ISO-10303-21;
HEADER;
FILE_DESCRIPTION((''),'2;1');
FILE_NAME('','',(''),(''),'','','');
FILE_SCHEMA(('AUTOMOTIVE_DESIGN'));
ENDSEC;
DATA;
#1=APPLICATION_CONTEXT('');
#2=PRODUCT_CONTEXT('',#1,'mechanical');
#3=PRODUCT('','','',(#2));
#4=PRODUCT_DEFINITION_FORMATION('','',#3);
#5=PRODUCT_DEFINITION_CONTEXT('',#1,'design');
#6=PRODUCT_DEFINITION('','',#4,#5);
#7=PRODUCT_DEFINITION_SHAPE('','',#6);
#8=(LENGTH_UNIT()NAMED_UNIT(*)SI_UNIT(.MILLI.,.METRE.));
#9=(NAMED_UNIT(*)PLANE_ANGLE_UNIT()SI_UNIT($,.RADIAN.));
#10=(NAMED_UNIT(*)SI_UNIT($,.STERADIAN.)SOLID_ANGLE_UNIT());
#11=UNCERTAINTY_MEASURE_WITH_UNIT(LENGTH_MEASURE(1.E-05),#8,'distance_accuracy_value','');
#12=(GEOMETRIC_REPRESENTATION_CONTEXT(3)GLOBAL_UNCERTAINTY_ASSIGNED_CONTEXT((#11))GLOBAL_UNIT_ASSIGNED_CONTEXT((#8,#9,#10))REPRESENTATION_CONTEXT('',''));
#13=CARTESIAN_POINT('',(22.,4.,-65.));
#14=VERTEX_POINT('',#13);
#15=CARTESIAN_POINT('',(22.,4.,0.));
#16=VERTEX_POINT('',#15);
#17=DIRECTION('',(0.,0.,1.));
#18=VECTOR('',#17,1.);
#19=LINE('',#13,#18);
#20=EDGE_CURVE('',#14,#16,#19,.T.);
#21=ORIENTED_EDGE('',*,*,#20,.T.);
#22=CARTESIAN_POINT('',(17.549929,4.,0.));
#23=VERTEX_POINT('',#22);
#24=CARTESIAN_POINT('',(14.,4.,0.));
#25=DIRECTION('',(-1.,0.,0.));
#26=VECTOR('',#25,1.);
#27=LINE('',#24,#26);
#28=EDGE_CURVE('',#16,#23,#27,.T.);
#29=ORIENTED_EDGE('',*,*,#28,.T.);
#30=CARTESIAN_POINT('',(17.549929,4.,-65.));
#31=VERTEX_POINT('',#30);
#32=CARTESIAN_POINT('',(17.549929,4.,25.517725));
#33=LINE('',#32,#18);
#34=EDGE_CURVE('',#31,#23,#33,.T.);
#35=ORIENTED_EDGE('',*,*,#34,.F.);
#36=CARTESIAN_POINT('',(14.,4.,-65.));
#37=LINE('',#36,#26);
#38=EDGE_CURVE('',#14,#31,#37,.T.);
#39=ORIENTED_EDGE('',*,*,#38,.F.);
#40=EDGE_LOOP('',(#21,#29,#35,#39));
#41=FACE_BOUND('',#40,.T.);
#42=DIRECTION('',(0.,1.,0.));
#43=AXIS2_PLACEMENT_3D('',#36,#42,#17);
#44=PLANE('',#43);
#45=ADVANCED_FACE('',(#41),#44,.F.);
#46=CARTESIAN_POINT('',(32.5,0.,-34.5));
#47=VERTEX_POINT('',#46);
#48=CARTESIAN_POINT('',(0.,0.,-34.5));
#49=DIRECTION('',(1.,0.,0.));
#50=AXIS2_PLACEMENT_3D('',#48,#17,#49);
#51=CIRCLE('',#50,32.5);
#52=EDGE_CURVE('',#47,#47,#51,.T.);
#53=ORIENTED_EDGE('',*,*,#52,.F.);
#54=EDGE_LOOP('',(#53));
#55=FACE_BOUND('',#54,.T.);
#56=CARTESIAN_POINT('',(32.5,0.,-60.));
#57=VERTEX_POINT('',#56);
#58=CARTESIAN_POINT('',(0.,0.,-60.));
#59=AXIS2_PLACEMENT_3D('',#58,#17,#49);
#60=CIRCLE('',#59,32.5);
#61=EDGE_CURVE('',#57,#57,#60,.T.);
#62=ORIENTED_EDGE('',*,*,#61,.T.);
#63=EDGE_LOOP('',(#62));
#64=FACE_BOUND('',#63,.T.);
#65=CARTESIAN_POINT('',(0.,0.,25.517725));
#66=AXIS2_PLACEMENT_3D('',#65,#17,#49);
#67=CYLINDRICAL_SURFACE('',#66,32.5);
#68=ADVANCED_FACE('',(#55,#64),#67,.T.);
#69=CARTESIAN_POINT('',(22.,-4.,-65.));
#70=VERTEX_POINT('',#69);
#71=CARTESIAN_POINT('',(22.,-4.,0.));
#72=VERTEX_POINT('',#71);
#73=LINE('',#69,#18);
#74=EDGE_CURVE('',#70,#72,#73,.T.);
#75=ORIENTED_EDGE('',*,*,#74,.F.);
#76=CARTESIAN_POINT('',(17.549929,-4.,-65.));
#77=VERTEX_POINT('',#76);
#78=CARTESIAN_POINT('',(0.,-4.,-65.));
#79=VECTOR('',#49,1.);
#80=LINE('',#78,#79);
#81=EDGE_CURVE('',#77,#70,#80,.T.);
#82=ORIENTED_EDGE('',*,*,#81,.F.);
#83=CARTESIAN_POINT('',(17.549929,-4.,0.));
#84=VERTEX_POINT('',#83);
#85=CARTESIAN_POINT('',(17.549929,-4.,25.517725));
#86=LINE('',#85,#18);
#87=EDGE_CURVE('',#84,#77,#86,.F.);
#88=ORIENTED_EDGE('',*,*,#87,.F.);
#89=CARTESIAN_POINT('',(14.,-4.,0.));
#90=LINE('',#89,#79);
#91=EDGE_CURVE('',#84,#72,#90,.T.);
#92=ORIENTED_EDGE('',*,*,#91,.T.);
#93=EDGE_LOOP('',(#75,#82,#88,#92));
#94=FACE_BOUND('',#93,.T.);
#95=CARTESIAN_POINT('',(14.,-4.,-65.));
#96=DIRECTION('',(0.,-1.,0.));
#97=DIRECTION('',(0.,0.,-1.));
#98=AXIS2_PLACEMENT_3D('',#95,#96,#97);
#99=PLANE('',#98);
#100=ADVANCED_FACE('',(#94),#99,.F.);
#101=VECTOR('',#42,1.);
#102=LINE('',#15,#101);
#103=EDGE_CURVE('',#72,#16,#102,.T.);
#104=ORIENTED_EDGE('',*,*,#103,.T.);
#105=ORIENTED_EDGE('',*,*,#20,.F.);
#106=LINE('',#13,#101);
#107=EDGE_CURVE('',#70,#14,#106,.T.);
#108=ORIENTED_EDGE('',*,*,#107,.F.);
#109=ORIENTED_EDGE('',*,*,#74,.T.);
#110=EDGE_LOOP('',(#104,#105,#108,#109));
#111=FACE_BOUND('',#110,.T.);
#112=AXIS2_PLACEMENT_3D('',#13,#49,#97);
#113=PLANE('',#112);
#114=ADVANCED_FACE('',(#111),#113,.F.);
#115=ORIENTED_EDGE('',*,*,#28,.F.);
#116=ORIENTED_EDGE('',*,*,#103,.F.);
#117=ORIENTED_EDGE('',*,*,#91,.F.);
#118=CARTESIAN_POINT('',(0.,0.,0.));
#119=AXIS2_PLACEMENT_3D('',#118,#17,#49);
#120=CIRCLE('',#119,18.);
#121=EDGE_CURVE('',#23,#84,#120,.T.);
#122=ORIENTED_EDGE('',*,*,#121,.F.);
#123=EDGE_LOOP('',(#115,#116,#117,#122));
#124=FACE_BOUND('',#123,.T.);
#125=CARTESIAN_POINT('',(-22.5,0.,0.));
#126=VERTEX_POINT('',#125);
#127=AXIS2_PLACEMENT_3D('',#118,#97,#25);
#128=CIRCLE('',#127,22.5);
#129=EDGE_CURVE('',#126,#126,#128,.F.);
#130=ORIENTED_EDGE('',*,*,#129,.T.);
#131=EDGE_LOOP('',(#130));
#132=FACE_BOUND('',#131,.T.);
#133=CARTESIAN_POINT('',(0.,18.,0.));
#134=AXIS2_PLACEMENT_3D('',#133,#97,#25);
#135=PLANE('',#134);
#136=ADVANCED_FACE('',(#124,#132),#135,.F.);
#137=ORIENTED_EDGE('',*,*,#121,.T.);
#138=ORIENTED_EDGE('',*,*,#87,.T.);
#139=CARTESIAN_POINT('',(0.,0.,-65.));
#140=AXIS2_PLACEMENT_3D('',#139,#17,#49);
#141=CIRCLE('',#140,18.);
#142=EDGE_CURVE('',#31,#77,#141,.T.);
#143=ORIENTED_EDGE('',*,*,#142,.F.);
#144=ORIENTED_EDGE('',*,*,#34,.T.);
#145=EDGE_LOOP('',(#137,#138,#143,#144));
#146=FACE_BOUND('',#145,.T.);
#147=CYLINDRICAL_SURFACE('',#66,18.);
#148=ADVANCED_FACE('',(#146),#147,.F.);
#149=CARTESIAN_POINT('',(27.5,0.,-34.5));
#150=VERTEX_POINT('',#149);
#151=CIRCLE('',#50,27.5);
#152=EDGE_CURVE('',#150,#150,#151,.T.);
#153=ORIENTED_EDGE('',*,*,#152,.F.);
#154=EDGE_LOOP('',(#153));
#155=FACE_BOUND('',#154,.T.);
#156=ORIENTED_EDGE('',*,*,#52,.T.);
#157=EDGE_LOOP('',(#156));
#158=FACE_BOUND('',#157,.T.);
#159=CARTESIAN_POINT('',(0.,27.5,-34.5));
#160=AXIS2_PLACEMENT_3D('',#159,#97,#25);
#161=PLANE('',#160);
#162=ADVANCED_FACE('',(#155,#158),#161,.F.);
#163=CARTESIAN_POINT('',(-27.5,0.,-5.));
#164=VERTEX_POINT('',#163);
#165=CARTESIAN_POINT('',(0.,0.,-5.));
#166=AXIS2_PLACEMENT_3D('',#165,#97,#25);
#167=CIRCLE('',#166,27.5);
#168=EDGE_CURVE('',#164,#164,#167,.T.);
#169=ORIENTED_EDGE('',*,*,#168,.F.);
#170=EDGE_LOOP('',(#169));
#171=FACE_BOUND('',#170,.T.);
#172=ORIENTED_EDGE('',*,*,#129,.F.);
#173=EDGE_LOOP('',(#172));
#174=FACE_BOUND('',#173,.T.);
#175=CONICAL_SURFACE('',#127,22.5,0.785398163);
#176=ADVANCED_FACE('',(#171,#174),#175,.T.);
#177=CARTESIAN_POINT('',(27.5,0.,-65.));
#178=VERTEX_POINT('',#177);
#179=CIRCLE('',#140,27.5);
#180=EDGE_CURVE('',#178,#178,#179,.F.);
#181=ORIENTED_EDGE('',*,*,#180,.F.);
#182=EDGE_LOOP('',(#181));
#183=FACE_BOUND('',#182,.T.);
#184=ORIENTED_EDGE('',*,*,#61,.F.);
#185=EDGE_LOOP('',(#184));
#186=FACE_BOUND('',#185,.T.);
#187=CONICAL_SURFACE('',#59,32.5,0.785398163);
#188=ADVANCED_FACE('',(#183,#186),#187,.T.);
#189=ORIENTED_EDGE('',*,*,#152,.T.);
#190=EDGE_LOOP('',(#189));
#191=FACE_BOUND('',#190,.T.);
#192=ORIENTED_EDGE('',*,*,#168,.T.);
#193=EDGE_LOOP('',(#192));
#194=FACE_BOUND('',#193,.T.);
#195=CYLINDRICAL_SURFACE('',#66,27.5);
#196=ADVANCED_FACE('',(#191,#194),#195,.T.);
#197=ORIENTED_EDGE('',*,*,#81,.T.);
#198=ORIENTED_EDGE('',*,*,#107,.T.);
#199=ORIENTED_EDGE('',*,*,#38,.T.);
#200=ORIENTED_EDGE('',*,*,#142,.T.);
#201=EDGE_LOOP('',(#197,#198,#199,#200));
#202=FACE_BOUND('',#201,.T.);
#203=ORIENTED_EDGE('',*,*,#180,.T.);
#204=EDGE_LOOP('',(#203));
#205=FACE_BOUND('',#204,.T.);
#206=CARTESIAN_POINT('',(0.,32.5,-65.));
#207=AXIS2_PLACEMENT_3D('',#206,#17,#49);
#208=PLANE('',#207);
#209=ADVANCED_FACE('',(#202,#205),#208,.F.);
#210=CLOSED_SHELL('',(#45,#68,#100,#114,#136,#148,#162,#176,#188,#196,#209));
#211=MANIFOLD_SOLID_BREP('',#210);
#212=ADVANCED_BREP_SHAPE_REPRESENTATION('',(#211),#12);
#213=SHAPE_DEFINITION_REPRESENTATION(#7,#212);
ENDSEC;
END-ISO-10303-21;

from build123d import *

# Parameters (mm, degrees)
ZKOSEN_1_SIZE            = 5
ZKOSEN_2_SIZE            = 5
SKICA3_W                 = 8
SKICA3_H                 = 8
ODEBRAT_VYSUNUT_M1_DEPTH = 66


with BuildPart() as part:
    # Skica1 → Rotovat1 (revolve)
    with BuildSketch(Plane(origin=(0, 0, 0), x_dir=(0, 0, -1), z_dir=(1, 0, 0))):
        Polygon((0, 18), (0, 27.5), (34.5, 27.5), (34.5, 32.5), (65, 32.5), (65, 18), align=None)
    revolve(axis=Axis((0, 0, 25.517724518), (0, 0, -1)))

    # Zkosení1
    zkosen_1_edges = [part.edges().sort_by_distance(p)[0] for p in [
        (0, -27.5, 0),
    ]]
    chamfer(zkosen_1_edges, length=ZKOSEN_1_SIZE)

    # Zkosení2
    zkosen_2_edges = [part.edges().sort_by_distance(p)[0] for p in [
        (0, -32.5, -65),
    ]]
    chamfer(zkosen_2_edges, length=ZKOSEN_2_SIZE)

    # Skica3 → Odebrat vysunutím1 (cut, through all)
    with BuildSketch(Plane.XY):
        with Locations((18, 0)):
            Rectangle(SKICA3_W, SKICA3_H)
    extrude(amount=-ODEBRAT_VYSUNUT_M1_DEPTH, mode=Mode.SUBTRACT)


solid = part.part
